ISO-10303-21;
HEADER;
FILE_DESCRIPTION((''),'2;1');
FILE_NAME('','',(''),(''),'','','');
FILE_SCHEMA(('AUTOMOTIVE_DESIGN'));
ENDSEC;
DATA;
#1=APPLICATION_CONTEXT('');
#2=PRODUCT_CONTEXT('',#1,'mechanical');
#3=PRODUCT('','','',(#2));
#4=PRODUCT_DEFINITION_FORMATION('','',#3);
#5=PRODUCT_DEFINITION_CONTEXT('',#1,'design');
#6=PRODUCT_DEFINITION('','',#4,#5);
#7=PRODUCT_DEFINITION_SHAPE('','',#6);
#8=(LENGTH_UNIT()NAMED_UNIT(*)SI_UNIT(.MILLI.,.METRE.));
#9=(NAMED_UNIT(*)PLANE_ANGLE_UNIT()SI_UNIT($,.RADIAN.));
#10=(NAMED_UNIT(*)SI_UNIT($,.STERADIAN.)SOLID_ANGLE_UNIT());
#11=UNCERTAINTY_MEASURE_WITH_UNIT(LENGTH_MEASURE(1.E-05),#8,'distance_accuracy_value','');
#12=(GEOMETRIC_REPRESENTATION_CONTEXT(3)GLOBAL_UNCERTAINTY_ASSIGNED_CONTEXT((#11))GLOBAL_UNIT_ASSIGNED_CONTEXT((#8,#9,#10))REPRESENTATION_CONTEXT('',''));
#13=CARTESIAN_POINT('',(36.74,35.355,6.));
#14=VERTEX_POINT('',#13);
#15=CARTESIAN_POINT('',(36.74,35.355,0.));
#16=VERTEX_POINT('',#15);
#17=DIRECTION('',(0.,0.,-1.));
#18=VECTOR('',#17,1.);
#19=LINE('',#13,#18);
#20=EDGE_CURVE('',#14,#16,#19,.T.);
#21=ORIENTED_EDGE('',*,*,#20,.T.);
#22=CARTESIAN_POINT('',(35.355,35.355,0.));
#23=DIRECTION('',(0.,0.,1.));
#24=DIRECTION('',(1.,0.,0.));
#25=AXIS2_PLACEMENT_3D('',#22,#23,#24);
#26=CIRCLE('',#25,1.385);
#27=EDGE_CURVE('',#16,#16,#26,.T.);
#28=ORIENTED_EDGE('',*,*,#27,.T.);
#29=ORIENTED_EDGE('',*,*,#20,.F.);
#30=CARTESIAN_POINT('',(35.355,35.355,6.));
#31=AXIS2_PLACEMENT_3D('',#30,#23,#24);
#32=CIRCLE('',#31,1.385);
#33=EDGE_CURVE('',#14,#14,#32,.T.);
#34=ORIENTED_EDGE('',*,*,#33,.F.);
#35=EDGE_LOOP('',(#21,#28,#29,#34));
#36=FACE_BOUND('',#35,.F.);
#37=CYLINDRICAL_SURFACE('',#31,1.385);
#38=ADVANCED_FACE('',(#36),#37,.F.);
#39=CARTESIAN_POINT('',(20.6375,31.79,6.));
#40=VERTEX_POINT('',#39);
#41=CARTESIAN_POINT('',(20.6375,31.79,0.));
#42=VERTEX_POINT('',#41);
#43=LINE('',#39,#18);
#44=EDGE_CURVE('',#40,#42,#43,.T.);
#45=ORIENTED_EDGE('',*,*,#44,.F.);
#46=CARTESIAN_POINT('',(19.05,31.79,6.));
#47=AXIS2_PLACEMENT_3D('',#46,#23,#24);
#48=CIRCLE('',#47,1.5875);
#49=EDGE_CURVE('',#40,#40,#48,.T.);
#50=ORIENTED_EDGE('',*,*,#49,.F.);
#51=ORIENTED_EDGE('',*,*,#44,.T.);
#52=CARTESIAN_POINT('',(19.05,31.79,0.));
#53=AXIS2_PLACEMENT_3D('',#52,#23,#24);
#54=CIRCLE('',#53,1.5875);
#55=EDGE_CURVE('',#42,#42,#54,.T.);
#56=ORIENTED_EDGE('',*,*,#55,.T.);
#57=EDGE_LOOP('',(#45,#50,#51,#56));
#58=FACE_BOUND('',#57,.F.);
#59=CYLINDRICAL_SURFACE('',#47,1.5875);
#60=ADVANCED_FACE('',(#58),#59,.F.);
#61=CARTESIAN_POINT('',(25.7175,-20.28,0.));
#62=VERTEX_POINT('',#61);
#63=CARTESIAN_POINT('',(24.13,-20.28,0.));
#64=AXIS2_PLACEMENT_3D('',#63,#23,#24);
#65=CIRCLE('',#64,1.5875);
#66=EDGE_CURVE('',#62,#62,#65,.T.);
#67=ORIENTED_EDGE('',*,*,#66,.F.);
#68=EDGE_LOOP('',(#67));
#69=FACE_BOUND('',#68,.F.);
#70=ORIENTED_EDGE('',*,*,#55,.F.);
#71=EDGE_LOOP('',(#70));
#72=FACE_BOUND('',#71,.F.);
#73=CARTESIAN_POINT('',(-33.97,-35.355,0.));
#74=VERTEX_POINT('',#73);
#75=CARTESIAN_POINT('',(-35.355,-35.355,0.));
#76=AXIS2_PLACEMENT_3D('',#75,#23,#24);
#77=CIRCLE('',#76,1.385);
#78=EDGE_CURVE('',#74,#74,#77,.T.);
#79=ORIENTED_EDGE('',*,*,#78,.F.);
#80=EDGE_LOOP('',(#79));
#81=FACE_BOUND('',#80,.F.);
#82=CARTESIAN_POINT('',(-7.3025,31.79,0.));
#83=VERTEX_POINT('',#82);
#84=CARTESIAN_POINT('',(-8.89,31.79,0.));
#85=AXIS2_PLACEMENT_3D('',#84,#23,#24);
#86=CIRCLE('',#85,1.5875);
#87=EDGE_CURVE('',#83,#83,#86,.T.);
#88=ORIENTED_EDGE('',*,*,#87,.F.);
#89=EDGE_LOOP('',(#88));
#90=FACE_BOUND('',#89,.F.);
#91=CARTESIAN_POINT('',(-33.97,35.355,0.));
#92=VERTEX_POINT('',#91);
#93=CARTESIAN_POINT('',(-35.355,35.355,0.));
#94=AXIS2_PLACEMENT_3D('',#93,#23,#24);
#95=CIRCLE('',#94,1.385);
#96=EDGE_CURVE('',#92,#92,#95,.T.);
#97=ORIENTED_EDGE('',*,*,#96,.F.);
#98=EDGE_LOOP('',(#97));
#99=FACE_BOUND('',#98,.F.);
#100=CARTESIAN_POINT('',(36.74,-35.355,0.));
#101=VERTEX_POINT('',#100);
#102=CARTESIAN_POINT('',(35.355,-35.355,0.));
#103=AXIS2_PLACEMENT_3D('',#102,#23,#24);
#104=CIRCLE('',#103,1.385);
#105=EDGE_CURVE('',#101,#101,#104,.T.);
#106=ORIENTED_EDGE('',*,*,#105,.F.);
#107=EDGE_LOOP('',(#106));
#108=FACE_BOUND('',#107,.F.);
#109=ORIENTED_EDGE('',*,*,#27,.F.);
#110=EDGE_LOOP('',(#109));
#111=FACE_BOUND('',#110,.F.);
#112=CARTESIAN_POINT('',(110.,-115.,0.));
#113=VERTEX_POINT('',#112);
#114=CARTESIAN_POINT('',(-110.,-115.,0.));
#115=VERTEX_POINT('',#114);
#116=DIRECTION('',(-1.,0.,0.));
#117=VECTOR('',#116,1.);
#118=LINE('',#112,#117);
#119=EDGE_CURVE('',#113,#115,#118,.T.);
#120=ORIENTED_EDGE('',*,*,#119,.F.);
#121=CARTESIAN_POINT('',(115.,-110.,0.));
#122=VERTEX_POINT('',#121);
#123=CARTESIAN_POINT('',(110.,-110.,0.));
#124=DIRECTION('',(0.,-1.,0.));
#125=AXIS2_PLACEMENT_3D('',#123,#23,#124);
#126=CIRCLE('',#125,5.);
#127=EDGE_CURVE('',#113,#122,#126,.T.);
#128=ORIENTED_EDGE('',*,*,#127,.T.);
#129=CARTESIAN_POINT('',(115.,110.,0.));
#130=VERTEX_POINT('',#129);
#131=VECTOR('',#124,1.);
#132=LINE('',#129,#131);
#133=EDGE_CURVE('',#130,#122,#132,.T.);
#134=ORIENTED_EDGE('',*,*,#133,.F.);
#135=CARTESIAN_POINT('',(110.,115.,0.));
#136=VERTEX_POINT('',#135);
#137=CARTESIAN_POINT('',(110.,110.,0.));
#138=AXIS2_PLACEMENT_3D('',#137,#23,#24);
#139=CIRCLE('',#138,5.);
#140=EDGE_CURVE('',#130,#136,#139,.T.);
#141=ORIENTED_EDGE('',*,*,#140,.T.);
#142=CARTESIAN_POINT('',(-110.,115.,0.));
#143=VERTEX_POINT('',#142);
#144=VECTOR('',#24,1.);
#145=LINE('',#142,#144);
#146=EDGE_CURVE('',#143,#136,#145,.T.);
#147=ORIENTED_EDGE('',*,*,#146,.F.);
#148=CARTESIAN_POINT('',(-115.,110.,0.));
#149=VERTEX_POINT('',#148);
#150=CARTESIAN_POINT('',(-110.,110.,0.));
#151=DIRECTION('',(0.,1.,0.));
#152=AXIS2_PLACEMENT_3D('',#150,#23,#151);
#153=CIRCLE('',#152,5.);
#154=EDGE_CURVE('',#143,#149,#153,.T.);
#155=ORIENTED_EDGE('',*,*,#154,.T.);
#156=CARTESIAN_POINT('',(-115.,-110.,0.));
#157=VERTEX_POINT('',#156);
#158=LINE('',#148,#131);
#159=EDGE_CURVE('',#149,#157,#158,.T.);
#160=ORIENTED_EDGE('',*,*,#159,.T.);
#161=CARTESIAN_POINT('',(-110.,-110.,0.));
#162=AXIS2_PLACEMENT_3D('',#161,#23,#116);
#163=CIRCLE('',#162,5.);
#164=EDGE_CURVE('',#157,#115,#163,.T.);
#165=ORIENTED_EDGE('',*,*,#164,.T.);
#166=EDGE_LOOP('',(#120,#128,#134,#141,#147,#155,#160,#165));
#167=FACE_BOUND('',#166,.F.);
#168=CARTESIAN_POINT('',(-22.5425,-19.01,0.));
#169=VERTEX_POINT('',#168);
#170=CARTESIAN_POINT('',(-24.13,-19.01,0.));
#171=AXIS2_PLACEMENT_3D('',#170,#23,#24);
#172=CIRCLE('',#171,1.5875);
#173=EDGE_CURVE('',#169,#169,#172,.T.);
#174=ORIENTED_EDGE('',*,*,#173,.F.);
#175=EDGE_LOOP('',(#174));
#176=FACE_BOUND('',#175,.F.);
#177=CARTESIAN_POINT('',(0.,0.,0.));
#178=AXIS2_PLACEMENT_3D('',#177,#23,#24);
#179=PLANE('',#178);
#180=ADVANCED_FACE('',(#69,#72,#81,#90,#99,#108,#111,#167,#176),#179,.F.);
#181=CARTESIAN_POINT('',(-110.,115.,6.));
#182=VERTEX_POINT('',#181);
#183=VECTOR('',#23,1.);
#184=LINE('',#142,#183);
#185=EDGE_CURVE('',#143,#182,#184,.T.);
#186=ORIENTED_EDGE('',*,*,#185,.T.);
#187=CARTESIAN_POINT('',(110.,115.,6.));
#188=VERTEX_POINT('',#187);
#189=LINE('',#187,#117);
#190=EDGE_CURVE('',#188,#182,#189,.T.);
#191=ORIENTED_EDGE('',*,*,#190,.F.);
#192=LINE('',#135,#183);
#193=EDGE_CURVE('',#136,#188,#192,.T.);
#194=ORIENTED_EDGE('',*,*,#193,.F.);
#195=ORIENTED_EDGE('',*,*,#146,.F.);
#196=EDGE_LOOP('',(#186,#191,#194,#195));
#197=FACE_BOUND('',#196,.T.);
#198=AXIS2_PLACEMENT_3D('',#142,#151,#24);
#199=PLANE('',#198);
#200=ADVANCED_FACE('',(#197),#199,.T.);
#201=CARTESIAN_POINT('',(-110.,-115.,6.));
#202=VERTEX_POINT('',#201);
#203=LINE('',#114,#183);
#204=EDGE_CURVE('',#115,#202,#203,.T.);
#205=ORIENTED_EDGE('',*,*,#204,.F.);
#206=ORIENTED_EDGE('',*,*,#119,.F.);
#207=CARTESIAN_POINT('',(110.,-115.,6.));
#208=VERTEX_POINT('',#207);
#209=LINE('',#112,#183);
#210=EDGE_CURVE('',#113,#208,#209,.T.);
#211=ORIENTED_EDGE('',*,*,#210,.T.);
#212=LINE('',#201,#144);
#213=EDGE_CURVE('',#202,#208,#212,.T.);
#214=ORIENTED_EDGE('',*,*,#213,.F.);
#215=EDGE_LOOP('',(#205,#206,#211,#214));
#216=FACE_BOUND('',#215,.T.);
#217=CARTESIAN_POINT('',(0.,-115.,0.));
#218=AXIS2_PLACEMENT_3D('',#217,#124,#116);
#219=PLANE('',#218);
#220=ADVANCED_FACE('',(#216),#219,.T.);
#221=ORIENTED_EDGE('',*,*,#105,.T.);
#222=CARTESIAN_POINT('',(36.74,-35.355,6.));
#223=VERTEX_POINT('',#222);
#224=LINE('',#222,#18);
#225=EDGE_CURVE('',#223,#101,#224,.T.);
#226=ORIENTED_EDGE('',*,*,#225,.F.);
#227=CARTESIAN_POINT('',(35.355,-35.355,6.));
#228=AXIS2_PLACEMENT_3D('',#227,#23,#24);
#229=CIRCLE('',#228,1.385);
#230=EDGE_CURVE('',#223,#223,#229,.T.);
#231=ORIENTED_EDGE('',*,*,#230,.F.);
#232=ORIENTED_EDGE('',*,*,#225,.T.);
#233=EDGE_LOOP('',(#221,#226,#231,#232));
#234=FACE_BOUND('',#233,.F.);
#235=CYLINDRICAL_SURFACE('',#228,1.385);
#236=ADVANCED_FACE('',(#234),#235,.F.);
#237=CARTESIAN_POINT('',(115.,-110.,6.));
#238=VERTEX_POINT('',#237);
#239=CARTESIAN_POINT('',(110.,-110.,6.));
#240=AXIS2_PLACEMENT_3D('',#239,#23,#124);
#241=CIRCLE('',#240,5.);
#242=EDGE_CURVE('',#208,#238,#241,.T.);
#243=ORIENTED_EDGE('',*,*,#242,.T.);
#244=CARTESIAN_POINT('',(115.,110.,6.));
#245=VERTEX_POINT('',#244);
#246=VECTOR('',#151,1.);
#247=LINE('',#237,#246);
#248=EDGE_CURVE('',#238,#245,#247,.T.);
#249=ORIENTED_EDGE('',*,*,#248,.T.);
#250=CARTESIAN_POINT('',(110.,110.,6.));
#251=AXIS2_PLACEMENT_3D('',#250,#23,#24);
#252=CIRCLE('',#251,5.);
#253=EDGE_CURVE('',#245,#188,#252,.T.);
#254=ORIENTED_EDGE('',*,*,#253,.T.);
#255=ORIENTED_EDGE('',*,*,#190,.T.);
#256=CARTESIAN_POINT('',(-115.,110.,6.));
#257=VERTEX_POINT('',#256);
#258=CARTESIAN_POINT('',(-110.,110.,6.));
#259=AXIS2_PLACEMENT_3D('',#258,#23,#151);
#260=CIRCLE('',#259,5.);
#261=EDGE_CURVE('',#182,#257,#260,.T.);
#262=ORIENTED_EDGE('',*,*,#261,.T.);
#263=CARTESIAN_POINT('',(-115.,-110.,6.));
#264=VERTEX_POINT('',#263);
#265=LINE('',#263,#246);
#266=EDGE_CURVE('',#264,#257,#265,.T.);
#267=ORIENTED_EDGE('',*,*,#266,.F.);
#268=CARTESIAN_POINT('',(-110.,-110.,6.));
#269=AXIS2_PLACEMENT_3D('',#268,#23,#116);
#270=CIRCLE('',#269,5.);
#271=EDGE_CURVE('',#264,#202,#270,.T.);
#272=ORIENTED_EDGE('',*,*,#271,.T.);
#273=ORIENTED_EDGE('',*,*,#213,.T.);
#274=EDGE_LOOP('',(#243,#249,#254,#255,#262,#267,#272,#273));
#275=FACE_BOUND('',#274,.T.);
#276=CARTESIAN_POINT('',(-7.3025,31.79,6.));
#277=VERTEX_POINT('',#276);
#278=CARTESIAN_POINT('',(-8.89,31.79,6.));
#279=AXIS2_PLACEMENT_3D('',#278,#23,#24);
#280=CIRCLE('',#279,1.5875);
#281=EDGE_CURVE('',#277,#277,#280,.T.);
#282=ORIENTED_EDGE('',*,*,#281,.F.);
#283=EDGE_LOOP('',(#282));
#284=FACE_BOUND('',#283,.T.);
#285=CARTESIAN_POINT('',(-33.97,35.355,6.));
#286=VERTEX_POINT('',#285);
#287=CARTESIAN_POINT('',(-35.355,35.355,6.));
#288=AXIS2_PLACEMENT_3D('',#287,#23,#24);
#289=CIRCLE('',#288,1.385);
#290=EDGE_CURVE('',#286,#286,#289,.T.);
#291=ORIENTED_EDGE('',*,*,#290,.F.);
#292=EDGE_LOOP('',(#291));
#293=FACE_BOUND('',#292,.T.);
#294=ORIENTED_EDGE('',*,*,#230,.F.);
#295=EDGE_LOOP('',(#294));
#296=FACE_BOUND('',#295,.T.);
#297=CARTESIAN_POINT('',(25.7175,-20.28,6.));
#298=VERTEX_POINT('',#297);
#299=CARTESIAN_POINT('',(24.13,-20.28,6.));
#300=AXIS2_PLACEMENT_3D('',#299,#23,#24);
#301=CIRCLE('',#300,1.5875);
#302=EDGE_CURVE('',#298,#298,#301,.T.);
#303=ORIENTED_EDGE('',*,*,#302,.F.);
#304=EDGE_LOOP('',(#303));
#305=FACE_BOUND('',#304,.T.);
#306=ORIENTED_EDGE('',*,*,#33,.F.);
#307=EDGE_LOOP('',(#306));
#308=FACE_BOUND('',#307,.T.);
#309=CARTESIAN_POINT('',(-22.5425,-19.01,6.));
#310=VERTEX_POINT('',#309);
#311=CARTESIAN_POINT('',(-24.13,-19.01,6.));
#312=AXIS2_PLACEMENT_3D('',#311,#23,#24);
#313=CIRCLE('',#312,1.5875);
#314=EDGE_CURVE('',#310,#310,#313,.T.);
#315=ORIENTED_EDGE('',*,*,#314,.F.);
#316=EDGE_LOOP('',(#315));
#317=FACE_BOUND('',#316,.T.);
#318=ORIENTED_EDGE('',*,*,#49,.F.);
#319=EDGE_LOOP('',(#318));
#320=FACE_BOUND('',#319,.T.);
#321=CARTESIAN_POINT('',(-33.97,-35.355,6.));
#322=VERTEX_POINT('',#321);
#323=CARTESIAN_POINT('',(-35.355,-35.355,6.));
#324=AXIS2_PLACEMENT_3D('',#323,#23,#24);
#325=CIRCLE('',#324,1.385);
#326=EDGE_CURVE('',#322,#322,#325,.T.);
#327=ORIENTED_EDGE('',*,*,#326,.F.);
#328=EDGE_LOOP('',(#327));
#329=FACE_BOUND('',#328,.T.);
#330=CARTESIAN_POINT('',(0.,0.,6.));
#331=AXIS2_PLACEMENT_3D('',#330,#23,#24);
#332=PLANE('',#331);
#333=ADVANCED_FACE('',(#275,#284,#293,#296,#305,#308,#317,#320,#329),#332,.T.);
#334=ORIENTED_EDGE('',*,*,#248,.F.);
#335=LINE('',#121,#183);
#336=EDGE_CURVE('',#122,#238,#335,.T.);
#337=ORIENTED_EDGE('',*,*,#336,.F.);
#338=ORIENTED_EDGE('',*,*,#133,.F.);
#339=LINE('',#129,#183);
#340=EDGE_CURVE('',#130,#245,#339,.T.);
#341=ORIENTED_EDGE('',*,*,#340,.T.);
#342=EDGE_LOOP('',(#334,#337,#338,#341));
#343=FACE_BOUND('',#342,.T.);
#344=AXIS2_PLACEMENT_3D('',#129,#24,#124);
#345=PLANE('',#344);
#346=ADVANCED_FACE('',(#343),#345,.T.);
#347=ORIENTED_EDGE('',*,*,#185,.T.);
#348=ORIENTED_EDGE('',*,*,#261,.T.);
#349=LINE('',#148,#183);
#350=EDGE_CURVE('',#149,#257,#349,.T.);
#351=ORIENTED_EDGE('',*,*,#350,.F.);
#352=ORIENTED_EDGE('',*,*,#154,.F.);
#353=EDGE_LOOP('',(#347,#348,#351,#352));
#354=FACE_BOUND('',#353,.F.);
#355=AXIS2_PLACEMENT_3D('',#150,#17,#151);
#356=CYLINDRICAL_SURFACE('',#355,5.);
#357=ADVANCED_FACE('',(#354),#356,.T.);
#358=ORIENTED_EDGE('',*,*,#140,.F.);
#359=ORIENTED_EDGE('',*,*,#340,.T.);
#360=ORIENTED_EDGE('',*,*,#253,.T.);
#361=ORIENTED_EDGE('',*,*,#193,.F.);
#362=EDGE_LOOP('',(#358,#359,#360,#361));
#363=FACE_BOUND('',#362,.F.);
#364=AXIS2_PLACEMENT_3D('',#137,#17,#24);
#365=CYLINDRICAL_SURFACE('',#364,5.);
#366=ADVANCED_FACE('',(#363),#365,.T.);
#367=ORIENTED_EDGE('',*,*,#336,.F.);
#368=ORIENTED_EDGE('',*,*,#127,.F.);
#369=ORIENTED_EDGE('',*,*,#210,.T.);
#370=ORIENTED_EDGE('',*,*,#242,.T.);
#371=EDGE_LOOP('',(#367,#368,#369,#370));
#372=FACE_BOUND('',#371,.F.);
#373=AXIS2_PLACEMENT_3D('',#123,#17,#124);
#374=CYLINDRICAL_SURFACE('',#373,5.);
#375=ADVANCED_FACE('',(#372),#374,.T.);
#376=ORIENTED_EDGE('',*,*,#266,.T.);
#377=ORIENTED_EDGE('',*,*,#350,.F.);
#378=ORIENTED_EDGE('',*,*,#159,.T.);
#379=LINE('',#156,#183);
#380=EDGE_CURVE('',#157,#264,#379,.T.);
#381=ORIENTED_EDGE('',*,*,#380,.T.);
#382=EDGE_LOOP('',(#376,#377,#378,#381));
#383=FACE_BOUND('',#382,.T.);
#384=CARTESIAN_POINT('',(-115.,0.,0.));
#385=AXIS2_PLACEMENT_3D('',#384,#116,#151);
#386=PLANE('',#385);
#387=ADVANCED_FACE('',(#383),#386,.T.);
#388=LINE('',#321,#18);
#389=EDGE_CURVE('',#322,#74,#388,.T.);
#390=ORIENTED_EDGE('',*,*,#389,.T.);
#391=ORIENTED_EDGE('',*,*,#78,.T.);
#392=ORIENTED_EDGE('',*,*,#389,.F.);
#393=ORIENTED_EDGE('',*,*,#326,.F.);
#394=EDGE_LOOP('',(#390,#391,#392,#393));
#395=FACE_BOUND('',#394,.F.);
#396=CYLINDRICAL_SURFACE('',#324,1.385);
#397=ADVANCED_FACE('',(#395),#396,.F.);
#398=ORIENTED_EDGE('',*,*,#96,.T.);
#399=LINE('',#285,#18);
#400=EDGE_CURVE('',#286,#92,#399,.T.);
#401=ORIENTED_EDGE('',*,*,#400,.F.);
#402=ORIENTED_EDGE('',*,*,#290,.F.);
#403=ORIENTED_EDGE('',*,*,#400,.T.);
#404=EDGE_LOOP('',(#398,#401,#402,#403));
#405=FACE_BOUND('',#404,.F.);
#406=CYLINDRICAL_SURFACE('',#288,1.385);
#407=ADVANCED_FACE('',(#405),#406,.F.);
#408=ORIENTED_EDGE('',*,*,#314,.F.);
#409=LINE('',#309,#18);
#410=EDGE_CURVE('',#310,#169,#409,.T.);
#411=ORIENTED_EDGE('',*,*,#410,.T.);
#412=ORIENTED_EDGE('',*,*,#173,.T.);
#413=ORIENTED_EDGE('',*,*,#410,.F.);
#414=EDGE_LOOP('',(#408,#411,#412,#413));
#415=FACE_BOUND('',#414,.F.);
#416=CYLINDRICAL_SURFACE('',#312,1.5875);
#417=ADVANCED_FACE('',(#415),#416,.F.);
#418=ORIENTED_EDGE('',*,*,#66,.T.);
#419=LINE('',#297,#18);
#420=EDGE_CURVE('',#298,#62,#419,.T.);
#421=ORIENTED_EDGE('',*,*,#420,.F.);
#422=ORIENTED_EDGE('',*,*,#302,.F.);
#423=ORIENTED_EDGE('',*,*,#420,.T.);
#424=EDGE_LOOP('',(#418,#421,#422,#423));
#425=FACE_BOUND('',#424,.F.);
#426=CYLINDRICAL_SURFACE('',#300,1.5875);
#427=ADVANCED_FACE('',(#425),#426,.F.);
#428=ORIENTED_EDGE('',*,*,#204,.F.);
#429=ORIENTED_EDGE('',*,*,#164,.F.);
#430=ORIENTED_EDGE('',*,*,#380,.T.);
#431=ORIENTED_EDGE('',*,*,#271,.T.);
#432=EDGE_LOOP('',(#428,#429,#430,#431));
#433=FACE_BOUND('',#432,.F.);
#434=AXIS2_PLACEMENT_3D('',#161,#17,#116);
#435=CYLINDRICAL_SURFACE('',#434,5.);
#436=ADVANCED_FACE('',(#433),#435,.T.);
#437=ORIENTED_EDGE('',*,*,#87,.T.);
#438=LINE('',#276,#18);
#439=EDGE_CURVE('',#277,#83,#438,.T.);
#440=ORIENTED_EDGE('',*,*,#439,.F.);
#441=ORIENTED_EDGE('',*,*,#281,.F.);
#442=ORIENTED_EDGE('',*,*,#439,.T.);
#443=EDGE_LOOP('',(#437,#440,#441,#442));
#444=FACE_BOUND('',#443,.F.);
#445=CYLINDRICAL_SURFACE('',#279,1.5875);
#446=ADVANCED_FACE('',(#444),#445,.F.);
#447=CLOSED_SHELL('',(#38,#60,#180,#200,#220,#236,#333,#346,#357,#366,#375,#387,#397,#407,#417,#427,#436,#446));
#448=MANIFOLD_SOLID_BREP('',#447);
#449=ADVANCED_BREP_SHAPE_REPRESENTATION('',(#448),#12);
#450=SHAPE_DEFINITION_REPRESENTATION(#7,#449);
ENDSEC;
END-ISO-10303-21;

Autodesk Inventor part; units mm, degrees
ref_plane "YZ Plane" through (0, 0, 0) normal (1, 0, 0) x (0, 1, 0)
ref_plane "XZ Plane" through (0, 0, 0) normal (0, 1, 0) x (-1, 0, 0)
ref_plane "XY Plane" through (0, 0, 0) normal (0, 0, 1) x (1, 0, 0)
sketch "Sketch1" plane through (0, 0, 0) normal (0, 0, 1) x (1, 0, 0)
  line L0 (-162.4497, 0) -> (162.4497, 0) projected
  line L1 (0, -162.4497) -> (0, 162.4497) projected
  line L2 (-110, 115) -> (110, 115)
  line L3 (115, 110) -> (115, -110)
  line L4 (110, -115) -> (-110, -115)
  line L5 (-115, -110) -> (-115, 110)
  arc A0 (-110, 115) -> (-115, 110) centre (-110, 110) ccw
  arc A1 (115, 110) -> (110, 115) centre (110, 110) ccw
  arc A2 (110, -115) -> (115, -110) centre (110, -110) ccw
  arc A3 (-115, -110) -> (-110, -115) centre (-110, -110) ccw
  point P0 (0, 0)
  point P1 (115, -115)
  point P2 (115, 115)
  point P3 (-115, -115)
  dimension "d0" = 230
  dimension "d1" = 230
  dimension "d2" = 115
  dimension "d3" = 115
  dimension "d4" = 5
extrude "Extrusion1" add sketch "Sketch1" along normal blind 6
sketch "Sketch2" plane through (0, 0, 6) normal (0, 0, 1) x (1, 0, 0)
  circle A0 centre (-35.355, 35.355) radius 1.385
  circle A1 centre (-35.355, -35.355) radius 1.385
  circle A2 centre (35.355, -35.355) radius 1.385
  circle A3 centre (35.355, 35.355) radius 1.385
  circle A4 centre (-24.13, -19.01) radius 1.5875
  circle A5 centre (24.13, -20.28) radius 1.5875
  circle A6 centre (19.05, 31.79) radius 1.5875
  circle A7 centre (-8.89, 31.79) radius 1.5875
  point P0 (0, 0)
extrude "Extrusion2" cut sketch "Sketch2" against normal through all
properties part number "Acrylic_6_Base"
